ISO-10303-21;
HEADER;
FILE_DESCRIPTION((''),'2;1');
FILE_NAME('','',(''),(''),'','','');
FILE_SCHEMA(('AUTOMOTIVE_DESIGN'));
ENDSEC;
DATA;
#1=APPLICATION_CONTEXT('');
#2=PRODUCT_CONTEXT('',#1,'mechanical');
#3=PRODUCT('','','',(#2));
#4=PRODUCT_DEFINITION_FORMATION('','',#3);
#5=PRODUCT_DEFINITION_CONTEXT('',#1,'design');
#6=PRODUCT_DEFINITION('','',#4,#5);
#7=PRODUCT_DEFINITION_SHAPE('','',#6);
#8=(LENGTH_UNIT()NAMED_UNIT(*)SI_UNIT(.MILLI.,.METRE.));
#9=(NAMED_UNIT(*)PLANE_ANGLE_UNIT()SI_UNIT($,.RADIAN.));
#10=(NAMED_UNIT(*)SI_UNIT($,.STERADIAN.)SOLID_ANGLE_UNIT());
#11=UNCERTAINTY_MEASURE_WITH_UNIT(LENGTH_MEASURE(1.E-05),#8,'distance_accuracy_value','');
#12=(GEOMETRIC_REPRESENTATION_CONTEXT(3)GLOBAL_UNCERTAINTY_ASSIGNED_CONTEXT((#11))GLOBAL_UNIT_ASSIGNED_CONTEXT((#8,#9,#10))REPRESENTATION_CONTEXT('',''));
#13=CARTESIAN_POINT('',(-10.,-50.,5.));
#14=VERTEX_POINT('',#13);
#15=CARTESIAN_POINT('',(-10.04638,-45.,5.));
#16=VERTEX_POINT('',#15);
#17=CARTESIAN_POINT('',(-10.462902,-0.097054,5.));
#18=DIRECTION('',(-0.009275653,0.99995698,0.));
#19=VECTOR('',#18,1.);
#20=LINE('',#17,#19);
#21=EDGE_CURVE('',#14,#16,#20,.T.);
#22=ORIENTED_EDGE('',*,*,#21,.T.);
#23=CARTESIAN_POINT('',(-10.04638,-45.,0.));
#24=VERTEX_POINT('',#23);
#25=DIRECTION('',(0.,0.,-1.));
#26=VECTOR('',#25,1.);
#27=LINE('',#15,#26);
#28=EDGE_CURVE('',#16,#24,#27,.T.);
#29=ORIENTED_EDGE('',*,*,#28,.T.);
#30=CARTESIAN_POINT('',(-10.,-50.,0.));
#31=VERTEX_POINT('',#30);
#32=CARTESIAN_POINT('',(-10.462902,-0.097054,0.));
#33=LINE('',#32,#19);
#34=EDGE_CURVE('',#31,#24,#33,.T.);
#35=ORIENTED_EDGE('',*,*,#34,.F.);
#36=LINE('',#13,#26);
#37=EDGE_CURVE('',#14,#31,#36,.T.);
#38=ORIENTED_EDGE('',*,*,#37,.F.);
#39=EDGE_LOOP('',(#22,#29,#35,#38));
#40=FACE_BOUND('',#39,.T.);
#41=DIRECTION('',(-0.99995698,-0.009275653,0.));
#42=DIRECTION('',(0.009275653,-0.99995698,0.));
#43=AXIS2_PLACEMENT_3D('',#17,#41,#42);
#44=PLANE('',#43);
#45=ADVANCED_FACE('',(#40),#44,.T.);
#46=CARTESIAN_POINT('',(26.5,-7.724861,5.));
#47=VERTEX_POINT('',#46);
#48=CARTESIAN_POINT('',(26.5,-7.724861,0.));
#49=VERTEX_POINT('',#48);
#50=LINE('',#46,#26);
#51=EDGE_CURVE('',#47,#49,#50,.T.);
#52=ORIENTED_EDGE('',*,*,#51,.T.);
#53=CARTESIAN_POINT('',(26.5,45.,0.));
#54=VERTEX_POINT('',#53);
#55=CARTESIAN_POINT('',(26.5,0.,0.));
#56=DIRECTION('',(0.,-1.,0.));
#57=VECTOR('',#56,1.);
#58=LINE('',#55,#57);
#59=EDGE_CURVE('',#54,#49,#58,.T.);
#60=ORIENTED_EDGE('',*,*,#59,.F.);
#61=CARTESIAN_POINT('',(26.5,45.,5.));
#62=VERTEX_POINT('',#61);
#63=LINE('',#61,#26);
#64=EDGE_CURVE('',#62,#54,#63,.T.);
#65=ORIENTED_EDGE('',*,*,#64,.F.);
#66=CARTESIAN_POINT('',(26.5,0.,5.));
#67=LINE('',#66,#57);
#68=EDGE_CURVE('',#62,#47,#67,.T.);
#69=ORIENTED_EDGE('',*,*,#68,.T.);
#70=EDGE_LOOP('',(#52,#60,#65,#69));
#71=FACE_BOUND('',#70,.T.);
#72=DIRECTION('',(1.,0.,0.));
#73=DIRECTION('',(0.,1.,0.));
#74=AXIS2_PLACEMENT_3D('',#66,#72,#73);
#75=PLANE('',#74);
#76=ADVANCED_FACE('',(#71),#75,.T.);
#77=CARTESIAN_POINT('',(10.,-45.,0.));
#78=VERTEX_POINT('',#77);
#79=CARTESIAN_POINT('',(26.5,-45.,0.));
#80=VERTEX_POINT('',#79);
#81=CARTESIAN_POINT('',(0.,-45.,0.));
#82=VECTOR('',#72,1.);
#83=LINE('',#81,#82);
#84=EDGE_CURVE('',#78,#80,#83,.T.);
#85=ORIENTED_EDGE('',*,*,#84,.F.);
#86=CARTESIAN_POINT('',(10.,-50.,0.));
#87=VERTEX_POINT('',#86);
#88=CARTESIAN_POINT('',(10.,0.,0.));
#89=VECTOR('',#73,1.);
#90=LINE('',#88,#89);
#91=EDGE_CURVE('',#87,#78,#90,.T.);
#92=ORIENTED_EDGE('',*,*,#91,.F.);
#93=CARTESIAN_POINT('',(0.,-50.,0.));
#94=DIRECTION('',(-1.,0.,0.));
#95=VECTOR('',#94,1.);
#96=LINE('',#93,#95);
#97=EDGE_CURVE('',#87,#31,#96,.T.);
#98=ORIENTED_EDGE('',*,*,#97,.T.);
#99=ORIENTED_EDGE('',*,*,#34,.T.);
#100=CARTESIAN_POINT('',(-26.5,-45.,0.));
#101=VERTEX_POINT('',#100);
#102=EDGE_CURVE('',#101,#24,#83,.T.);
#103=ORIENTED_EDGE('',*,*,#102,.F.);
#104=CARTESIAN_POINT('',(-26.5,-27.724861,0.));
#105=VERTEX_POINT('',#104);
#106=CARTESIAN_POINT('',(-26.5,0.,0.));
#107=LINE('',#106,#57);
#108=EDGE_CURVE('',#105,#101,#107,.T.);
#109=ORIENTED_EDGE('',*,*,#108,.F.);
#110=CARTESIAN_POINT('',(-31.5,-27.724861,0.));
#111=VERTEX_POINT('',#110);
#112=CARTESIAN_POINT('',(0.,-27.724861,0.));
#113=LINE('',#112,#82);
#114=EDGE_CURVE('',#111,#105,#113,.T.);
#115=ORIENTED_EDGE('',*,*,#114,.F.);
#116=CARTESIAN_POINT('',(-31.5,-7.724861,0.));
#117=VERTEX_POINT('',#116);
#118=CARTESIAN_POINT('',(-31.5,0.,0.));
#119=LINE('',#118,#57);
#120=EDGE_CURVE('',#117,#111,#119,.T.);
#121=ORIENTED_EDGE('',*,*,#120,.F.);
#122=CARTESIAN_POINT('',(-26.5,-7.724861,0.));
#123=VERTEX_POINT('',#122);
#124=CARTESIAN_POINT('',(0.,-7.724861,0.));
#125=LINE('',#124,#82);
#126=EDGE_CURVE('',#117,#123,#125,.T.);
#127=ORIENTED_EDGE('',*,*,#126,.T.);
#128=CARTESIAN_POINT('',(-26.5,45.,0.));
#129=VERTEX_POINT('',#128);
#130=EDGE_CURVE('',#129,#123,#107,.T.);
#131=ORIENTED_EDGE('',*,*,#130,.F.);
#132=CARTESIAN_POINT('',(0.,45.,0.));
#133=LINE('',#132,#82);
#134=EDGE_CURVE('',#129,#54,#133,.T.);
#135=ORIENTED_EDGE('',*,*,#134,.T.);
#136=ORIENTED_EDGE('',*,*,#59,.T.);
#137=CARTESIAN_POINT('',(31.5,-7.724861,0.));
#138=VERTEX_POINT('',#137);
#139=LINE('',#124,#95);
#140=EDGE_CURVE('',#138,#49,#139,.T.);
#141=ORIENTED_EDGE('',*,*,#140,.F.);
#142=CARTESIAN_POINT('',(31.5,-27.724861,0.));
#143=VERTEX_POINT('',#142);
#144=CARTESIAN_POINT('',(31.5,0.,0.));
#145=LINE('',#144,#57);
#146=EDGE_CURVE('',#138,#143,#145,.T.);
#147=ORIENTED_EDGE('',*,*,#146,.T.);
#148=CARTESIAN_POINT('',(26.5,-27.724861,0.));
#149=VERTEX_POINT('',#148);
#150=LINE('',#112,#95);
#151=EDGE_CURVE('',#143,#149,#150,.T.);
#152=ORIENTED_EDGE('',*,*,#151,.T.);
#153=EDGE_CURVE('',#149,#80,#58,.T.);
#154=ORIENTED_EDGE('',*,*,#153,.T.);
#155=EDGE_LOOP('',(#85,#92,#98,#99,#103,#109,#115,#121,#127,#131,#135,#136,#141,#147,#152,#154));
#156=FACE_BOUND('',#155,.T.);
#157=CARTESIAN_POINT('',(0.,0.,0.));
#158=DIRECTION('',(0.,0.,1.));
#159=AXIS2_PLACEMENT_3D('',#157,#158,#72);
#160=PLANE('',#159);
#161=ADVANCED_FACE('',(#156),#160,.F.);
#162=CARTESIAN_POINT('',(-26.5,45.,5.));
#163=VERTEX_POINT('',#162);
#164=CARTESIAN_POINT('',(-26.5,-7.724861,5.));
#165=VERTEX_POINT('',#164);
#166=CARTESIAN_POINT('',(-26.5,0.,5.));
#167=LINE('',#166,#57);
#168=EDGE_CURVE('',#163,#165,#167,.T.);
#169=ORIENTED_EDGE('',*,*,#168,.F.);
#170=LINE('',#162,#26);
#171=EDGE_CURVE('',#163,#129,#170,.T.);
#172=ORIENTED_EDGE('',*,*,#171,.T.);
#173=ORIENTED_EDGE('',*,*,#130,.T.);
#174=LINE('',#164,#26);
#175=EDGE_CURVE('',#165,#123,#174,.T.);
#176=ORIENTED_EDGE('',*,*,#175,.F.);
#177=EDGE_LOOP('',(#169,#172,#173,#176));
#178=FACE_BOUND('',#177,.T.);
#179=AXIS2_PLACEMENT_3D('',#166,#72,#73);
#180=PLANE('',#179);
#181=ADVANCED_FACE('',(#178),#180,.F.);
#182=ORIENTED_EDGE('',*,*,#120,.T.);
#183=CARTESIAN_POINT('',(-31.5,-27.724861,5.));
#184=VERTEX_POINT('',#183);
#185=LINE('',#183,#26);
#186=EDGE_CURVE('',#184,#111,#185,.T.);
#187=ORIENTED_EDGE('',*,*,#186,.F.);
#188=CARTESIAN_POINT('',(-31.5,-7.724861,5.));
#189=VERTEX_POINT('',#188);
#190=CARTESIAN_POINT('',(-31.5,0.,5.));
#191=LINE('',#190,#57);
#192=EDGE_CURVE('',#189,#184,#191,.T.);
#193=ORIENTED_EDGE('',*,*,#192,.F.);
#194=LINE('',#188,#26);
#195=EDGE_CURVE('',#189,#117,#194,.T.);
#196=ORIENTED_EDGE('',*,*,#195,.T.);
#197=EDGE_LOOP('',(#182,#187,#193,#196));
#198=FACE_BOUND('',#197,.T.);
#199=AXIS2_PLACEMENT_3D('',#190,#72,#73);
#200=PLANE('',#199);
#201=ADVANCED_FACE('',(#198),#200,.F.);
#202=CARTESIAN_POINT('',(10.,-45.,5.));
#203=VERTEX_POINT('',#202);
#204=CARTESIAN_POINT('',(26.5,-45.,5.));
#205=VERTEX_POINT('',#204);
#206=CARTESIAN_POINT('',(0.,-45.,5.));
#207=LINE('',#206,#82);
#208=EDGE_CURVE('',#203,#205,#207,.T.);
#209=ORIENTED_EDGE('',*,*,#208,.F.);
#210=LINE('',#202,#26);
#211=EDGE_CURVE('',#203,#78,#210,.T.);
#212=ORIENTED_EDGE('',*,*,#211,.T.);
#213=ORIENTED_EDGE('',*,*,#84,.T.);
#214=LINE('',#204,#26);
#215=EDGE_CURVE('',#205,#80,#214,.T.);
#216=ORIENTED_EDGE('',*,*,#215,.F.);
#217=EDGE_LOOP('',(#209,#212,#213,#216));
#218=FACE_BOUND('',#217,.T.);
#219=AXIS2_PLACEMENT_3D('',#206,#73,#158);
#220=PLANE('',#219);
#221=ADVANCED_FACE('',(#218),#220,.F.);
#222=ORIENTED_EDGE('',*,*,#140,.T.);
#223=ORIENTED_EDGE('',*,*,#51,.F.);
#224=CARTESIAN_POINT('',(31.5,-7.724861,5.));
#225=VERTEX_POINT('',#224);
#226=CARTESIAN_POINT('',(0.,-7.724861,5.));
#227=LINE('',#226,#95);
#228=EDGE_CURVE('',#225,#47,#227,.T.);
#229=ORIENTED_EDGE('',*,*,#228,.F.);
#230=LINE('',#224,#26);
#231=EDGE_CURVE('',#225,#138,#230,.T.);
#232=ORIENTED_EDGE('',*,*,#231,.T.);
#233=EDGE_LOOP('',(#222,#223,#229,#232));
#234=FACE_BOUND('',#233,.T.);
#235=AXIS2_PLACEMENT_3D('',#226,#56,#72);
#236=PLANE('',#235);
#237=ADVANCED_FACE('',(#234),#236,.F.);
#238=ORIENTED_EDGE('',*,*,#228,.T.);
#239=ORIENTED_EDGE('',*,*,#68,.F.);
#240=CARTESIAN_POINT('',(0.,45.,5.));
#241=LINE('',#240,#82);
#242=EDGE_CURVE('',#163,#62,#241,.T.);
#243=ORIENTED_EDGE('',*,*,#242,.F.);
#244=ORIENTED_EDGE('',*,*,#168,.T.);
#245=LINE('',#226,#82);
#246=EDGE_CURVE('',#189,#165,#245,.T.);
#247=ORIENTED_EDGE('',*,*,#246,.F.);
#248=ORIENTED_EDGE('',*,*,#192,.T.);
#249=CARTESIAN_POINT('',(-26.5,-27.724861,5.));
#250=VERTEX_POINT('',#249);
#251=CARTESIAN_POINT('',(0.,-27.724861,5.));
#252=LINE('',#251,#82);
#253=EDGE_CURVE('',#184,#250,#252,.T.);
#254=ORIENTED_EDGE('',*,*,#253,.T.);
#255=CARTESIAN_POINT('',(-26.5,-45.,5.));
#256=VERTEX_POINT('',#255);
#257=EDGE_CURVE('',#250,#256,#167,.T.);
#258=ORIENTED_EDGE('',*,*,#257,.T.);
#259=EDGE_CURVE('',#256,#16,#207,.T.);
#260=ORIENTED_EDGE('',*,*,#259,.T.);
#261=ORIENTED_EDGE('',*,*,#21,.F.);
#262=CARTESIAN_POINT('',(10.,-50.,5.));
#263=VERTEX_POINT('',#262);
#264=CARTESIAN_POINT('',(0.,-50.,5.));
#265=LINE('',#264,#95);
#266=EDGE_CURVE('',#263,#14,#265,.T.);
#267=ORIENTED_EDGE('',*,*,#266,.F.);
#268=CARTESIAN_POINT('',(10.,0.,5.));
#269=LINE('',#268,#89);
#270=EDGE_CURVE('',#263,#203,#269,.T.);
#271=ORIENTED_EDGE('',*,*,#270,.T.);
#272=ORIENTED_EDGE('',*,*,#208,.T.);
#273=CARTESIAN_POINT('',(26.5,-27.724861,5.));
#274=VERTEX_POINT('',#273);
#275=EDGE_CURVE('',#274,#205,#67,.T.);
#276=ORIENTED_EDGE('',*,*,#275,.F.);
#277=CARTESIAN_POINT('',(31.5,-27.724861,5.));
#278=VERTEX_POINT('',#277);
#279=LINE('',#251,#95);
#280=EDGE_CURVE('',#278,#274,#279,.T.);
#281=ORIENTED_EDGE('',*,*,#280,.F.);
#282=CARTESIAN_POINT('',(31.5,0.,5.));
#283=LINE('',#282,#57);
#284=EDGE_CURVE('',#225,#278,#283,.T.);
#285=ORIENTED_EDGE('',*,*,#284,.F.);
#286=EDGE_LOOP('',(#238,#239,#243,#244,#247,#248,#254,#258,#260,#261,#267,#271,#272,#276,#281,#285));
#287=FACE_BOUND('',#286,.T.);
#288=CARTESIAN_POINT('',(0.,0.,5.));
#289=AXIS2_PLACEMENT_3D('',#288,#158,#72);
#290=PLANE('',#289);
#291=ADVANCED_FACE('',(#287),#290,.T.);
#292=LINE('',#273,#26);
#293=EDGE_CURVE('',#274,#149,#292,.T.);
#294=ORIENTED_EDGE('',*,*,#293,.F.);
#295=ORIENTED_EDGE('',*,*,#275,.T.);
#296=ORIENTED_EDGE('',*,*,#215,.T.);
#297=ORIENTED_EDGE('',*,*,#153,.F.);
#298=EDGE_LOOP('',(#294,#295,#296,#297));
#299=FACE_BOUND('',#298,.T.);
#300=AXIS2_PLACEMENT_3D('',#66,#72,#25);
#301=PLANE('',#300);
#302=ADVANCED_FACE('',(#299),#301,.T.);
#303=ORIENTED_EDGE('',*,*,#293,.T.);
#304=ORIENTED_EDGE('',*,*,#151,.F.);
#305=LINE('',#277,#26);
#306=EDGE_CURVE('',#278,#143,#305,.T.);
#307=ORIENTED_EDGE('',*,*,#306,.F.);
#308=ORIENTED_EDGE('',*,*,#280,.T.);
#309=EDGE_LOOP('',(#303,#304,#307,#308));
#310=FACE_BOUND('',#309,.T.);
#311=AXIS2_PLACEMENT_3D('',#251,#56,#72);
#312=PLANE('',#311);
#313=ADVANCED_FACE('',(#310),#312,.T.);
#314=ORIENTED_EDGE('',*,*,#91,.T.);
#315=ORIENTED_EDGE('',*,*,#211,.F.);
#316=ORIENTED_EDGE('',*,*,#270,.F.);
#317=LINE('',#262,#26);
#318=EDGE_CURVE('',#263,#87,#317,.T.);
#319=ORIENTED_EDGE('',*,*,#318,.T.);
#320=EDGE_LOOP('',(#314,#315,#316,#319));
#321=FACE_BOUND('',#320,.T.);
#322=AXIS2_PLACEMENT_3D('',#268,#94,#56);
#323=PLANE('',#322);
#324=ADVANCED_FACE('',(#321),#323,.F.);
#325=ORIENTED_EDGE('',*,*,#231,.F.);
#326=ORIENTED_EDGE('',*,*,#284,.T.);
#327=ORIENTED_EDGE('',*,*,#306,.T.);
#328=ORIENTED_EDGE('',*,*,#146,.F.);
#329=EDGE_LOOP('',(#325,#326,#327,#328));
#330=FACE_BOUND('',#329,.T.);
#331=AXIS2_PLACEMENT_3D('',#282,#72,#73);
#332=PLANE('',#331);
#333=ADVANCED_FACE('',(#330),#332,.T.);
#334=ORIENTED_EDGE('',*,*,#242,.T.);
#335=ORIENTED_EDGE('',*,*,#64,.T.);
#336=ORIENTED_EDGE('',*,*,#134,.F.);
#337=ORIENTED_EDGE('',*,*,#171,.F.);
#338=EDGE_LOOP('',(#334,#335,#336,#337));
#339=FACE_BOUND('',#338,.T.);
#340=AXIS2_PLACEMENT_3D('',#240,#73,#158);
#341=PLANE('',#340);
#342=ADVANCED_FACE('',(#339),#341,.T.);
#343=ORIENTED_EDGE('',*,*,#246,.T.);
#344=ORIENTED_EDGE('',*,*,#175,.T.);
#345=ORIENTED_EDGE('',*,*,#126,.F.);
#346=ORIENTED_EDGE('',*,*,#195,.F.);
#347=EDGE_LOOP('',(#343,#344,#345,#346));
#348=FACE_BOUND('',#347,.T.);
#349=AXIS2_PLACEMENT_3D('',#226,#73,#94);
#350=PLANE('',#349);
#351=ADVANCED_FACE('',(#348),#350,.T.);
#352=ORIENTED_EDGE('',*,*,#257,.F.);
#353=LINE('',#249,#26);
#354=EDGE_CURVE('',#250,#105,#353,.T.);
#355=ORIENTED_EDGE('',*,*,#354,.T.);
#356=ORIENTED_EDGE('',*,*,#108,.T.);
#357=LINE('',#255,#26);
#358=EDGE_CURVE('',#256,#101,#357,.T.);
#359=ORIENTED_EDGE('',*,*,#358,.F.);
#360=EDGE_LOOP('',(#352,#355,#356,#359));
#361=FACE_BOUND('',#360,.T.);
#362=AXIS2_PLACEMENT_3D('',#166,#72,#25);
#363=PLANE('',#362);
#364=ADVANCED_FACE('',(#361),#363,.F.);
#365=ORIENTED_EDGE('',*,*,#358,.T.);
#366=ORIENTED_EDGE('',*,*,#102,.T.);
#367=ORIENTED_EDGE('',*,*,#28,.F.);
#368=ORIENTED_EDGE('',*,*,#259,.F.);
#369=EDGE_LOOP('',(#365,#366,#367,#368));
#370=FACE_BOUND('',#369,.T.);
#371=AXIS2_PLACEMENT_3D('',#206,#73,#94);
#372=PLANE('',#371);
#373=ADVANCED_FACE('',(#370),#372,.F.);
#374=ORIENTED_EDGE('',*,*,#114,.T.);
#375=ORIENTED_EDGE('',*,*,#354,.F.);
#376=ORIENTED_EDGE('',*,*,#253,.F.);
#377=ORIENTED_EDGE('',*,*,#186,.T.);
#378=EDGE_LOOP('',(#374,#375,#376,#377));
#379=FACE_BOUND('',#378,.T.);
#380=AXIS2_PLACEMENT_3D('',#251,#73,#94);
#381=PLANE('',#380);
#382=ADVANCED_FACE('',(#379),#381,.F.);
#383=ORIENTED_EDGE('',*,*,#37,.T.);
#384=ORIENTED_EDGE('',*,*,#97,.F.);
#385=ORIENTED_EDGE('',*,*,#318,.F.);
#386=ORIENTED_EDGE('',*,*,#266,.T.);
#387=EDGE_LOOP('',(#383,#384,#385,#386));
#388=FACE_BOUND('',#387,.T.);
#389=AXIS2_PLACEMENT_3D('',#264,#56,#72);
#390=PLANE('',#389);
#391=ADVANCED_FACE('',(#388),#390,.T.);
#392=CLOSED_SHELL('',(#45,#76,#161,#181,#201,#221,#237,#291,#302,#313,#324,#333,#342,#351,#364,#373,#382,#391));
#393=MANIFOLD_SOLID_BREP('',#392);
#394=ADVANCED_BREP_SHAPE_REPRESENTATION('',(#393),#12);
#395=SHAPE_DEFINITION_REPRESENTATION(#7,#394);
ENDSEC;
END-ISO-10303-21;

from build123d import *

# Parameters (mm, degrees)
BOSS_EXTRUDE1_DEPTH = 5


with BuildPart() as part:
    # Sketch1 → Boss-Extrude1 (new body)
    with BuildSketch(Plane.XY):
        Polygon((26.5, -27.724861484), (26.5, -45), (10, -45), (10, -50), (-10, -50), (-10.046380259, -45), (-26.5, -45), (-26.5, -27.724861484), (-31.5, -27.724861484), (-31.5, -7.724861484), (-26.5, -7.724861484), (-26.5, 45), (26.5, 45), (26.5, -7.724861484), (31.5, -7.724861484), (31.5, -27.724861484), align=None)
    extrude(amount=BOSS_EXTRUDE1_DEPTH)


solid = part.part
